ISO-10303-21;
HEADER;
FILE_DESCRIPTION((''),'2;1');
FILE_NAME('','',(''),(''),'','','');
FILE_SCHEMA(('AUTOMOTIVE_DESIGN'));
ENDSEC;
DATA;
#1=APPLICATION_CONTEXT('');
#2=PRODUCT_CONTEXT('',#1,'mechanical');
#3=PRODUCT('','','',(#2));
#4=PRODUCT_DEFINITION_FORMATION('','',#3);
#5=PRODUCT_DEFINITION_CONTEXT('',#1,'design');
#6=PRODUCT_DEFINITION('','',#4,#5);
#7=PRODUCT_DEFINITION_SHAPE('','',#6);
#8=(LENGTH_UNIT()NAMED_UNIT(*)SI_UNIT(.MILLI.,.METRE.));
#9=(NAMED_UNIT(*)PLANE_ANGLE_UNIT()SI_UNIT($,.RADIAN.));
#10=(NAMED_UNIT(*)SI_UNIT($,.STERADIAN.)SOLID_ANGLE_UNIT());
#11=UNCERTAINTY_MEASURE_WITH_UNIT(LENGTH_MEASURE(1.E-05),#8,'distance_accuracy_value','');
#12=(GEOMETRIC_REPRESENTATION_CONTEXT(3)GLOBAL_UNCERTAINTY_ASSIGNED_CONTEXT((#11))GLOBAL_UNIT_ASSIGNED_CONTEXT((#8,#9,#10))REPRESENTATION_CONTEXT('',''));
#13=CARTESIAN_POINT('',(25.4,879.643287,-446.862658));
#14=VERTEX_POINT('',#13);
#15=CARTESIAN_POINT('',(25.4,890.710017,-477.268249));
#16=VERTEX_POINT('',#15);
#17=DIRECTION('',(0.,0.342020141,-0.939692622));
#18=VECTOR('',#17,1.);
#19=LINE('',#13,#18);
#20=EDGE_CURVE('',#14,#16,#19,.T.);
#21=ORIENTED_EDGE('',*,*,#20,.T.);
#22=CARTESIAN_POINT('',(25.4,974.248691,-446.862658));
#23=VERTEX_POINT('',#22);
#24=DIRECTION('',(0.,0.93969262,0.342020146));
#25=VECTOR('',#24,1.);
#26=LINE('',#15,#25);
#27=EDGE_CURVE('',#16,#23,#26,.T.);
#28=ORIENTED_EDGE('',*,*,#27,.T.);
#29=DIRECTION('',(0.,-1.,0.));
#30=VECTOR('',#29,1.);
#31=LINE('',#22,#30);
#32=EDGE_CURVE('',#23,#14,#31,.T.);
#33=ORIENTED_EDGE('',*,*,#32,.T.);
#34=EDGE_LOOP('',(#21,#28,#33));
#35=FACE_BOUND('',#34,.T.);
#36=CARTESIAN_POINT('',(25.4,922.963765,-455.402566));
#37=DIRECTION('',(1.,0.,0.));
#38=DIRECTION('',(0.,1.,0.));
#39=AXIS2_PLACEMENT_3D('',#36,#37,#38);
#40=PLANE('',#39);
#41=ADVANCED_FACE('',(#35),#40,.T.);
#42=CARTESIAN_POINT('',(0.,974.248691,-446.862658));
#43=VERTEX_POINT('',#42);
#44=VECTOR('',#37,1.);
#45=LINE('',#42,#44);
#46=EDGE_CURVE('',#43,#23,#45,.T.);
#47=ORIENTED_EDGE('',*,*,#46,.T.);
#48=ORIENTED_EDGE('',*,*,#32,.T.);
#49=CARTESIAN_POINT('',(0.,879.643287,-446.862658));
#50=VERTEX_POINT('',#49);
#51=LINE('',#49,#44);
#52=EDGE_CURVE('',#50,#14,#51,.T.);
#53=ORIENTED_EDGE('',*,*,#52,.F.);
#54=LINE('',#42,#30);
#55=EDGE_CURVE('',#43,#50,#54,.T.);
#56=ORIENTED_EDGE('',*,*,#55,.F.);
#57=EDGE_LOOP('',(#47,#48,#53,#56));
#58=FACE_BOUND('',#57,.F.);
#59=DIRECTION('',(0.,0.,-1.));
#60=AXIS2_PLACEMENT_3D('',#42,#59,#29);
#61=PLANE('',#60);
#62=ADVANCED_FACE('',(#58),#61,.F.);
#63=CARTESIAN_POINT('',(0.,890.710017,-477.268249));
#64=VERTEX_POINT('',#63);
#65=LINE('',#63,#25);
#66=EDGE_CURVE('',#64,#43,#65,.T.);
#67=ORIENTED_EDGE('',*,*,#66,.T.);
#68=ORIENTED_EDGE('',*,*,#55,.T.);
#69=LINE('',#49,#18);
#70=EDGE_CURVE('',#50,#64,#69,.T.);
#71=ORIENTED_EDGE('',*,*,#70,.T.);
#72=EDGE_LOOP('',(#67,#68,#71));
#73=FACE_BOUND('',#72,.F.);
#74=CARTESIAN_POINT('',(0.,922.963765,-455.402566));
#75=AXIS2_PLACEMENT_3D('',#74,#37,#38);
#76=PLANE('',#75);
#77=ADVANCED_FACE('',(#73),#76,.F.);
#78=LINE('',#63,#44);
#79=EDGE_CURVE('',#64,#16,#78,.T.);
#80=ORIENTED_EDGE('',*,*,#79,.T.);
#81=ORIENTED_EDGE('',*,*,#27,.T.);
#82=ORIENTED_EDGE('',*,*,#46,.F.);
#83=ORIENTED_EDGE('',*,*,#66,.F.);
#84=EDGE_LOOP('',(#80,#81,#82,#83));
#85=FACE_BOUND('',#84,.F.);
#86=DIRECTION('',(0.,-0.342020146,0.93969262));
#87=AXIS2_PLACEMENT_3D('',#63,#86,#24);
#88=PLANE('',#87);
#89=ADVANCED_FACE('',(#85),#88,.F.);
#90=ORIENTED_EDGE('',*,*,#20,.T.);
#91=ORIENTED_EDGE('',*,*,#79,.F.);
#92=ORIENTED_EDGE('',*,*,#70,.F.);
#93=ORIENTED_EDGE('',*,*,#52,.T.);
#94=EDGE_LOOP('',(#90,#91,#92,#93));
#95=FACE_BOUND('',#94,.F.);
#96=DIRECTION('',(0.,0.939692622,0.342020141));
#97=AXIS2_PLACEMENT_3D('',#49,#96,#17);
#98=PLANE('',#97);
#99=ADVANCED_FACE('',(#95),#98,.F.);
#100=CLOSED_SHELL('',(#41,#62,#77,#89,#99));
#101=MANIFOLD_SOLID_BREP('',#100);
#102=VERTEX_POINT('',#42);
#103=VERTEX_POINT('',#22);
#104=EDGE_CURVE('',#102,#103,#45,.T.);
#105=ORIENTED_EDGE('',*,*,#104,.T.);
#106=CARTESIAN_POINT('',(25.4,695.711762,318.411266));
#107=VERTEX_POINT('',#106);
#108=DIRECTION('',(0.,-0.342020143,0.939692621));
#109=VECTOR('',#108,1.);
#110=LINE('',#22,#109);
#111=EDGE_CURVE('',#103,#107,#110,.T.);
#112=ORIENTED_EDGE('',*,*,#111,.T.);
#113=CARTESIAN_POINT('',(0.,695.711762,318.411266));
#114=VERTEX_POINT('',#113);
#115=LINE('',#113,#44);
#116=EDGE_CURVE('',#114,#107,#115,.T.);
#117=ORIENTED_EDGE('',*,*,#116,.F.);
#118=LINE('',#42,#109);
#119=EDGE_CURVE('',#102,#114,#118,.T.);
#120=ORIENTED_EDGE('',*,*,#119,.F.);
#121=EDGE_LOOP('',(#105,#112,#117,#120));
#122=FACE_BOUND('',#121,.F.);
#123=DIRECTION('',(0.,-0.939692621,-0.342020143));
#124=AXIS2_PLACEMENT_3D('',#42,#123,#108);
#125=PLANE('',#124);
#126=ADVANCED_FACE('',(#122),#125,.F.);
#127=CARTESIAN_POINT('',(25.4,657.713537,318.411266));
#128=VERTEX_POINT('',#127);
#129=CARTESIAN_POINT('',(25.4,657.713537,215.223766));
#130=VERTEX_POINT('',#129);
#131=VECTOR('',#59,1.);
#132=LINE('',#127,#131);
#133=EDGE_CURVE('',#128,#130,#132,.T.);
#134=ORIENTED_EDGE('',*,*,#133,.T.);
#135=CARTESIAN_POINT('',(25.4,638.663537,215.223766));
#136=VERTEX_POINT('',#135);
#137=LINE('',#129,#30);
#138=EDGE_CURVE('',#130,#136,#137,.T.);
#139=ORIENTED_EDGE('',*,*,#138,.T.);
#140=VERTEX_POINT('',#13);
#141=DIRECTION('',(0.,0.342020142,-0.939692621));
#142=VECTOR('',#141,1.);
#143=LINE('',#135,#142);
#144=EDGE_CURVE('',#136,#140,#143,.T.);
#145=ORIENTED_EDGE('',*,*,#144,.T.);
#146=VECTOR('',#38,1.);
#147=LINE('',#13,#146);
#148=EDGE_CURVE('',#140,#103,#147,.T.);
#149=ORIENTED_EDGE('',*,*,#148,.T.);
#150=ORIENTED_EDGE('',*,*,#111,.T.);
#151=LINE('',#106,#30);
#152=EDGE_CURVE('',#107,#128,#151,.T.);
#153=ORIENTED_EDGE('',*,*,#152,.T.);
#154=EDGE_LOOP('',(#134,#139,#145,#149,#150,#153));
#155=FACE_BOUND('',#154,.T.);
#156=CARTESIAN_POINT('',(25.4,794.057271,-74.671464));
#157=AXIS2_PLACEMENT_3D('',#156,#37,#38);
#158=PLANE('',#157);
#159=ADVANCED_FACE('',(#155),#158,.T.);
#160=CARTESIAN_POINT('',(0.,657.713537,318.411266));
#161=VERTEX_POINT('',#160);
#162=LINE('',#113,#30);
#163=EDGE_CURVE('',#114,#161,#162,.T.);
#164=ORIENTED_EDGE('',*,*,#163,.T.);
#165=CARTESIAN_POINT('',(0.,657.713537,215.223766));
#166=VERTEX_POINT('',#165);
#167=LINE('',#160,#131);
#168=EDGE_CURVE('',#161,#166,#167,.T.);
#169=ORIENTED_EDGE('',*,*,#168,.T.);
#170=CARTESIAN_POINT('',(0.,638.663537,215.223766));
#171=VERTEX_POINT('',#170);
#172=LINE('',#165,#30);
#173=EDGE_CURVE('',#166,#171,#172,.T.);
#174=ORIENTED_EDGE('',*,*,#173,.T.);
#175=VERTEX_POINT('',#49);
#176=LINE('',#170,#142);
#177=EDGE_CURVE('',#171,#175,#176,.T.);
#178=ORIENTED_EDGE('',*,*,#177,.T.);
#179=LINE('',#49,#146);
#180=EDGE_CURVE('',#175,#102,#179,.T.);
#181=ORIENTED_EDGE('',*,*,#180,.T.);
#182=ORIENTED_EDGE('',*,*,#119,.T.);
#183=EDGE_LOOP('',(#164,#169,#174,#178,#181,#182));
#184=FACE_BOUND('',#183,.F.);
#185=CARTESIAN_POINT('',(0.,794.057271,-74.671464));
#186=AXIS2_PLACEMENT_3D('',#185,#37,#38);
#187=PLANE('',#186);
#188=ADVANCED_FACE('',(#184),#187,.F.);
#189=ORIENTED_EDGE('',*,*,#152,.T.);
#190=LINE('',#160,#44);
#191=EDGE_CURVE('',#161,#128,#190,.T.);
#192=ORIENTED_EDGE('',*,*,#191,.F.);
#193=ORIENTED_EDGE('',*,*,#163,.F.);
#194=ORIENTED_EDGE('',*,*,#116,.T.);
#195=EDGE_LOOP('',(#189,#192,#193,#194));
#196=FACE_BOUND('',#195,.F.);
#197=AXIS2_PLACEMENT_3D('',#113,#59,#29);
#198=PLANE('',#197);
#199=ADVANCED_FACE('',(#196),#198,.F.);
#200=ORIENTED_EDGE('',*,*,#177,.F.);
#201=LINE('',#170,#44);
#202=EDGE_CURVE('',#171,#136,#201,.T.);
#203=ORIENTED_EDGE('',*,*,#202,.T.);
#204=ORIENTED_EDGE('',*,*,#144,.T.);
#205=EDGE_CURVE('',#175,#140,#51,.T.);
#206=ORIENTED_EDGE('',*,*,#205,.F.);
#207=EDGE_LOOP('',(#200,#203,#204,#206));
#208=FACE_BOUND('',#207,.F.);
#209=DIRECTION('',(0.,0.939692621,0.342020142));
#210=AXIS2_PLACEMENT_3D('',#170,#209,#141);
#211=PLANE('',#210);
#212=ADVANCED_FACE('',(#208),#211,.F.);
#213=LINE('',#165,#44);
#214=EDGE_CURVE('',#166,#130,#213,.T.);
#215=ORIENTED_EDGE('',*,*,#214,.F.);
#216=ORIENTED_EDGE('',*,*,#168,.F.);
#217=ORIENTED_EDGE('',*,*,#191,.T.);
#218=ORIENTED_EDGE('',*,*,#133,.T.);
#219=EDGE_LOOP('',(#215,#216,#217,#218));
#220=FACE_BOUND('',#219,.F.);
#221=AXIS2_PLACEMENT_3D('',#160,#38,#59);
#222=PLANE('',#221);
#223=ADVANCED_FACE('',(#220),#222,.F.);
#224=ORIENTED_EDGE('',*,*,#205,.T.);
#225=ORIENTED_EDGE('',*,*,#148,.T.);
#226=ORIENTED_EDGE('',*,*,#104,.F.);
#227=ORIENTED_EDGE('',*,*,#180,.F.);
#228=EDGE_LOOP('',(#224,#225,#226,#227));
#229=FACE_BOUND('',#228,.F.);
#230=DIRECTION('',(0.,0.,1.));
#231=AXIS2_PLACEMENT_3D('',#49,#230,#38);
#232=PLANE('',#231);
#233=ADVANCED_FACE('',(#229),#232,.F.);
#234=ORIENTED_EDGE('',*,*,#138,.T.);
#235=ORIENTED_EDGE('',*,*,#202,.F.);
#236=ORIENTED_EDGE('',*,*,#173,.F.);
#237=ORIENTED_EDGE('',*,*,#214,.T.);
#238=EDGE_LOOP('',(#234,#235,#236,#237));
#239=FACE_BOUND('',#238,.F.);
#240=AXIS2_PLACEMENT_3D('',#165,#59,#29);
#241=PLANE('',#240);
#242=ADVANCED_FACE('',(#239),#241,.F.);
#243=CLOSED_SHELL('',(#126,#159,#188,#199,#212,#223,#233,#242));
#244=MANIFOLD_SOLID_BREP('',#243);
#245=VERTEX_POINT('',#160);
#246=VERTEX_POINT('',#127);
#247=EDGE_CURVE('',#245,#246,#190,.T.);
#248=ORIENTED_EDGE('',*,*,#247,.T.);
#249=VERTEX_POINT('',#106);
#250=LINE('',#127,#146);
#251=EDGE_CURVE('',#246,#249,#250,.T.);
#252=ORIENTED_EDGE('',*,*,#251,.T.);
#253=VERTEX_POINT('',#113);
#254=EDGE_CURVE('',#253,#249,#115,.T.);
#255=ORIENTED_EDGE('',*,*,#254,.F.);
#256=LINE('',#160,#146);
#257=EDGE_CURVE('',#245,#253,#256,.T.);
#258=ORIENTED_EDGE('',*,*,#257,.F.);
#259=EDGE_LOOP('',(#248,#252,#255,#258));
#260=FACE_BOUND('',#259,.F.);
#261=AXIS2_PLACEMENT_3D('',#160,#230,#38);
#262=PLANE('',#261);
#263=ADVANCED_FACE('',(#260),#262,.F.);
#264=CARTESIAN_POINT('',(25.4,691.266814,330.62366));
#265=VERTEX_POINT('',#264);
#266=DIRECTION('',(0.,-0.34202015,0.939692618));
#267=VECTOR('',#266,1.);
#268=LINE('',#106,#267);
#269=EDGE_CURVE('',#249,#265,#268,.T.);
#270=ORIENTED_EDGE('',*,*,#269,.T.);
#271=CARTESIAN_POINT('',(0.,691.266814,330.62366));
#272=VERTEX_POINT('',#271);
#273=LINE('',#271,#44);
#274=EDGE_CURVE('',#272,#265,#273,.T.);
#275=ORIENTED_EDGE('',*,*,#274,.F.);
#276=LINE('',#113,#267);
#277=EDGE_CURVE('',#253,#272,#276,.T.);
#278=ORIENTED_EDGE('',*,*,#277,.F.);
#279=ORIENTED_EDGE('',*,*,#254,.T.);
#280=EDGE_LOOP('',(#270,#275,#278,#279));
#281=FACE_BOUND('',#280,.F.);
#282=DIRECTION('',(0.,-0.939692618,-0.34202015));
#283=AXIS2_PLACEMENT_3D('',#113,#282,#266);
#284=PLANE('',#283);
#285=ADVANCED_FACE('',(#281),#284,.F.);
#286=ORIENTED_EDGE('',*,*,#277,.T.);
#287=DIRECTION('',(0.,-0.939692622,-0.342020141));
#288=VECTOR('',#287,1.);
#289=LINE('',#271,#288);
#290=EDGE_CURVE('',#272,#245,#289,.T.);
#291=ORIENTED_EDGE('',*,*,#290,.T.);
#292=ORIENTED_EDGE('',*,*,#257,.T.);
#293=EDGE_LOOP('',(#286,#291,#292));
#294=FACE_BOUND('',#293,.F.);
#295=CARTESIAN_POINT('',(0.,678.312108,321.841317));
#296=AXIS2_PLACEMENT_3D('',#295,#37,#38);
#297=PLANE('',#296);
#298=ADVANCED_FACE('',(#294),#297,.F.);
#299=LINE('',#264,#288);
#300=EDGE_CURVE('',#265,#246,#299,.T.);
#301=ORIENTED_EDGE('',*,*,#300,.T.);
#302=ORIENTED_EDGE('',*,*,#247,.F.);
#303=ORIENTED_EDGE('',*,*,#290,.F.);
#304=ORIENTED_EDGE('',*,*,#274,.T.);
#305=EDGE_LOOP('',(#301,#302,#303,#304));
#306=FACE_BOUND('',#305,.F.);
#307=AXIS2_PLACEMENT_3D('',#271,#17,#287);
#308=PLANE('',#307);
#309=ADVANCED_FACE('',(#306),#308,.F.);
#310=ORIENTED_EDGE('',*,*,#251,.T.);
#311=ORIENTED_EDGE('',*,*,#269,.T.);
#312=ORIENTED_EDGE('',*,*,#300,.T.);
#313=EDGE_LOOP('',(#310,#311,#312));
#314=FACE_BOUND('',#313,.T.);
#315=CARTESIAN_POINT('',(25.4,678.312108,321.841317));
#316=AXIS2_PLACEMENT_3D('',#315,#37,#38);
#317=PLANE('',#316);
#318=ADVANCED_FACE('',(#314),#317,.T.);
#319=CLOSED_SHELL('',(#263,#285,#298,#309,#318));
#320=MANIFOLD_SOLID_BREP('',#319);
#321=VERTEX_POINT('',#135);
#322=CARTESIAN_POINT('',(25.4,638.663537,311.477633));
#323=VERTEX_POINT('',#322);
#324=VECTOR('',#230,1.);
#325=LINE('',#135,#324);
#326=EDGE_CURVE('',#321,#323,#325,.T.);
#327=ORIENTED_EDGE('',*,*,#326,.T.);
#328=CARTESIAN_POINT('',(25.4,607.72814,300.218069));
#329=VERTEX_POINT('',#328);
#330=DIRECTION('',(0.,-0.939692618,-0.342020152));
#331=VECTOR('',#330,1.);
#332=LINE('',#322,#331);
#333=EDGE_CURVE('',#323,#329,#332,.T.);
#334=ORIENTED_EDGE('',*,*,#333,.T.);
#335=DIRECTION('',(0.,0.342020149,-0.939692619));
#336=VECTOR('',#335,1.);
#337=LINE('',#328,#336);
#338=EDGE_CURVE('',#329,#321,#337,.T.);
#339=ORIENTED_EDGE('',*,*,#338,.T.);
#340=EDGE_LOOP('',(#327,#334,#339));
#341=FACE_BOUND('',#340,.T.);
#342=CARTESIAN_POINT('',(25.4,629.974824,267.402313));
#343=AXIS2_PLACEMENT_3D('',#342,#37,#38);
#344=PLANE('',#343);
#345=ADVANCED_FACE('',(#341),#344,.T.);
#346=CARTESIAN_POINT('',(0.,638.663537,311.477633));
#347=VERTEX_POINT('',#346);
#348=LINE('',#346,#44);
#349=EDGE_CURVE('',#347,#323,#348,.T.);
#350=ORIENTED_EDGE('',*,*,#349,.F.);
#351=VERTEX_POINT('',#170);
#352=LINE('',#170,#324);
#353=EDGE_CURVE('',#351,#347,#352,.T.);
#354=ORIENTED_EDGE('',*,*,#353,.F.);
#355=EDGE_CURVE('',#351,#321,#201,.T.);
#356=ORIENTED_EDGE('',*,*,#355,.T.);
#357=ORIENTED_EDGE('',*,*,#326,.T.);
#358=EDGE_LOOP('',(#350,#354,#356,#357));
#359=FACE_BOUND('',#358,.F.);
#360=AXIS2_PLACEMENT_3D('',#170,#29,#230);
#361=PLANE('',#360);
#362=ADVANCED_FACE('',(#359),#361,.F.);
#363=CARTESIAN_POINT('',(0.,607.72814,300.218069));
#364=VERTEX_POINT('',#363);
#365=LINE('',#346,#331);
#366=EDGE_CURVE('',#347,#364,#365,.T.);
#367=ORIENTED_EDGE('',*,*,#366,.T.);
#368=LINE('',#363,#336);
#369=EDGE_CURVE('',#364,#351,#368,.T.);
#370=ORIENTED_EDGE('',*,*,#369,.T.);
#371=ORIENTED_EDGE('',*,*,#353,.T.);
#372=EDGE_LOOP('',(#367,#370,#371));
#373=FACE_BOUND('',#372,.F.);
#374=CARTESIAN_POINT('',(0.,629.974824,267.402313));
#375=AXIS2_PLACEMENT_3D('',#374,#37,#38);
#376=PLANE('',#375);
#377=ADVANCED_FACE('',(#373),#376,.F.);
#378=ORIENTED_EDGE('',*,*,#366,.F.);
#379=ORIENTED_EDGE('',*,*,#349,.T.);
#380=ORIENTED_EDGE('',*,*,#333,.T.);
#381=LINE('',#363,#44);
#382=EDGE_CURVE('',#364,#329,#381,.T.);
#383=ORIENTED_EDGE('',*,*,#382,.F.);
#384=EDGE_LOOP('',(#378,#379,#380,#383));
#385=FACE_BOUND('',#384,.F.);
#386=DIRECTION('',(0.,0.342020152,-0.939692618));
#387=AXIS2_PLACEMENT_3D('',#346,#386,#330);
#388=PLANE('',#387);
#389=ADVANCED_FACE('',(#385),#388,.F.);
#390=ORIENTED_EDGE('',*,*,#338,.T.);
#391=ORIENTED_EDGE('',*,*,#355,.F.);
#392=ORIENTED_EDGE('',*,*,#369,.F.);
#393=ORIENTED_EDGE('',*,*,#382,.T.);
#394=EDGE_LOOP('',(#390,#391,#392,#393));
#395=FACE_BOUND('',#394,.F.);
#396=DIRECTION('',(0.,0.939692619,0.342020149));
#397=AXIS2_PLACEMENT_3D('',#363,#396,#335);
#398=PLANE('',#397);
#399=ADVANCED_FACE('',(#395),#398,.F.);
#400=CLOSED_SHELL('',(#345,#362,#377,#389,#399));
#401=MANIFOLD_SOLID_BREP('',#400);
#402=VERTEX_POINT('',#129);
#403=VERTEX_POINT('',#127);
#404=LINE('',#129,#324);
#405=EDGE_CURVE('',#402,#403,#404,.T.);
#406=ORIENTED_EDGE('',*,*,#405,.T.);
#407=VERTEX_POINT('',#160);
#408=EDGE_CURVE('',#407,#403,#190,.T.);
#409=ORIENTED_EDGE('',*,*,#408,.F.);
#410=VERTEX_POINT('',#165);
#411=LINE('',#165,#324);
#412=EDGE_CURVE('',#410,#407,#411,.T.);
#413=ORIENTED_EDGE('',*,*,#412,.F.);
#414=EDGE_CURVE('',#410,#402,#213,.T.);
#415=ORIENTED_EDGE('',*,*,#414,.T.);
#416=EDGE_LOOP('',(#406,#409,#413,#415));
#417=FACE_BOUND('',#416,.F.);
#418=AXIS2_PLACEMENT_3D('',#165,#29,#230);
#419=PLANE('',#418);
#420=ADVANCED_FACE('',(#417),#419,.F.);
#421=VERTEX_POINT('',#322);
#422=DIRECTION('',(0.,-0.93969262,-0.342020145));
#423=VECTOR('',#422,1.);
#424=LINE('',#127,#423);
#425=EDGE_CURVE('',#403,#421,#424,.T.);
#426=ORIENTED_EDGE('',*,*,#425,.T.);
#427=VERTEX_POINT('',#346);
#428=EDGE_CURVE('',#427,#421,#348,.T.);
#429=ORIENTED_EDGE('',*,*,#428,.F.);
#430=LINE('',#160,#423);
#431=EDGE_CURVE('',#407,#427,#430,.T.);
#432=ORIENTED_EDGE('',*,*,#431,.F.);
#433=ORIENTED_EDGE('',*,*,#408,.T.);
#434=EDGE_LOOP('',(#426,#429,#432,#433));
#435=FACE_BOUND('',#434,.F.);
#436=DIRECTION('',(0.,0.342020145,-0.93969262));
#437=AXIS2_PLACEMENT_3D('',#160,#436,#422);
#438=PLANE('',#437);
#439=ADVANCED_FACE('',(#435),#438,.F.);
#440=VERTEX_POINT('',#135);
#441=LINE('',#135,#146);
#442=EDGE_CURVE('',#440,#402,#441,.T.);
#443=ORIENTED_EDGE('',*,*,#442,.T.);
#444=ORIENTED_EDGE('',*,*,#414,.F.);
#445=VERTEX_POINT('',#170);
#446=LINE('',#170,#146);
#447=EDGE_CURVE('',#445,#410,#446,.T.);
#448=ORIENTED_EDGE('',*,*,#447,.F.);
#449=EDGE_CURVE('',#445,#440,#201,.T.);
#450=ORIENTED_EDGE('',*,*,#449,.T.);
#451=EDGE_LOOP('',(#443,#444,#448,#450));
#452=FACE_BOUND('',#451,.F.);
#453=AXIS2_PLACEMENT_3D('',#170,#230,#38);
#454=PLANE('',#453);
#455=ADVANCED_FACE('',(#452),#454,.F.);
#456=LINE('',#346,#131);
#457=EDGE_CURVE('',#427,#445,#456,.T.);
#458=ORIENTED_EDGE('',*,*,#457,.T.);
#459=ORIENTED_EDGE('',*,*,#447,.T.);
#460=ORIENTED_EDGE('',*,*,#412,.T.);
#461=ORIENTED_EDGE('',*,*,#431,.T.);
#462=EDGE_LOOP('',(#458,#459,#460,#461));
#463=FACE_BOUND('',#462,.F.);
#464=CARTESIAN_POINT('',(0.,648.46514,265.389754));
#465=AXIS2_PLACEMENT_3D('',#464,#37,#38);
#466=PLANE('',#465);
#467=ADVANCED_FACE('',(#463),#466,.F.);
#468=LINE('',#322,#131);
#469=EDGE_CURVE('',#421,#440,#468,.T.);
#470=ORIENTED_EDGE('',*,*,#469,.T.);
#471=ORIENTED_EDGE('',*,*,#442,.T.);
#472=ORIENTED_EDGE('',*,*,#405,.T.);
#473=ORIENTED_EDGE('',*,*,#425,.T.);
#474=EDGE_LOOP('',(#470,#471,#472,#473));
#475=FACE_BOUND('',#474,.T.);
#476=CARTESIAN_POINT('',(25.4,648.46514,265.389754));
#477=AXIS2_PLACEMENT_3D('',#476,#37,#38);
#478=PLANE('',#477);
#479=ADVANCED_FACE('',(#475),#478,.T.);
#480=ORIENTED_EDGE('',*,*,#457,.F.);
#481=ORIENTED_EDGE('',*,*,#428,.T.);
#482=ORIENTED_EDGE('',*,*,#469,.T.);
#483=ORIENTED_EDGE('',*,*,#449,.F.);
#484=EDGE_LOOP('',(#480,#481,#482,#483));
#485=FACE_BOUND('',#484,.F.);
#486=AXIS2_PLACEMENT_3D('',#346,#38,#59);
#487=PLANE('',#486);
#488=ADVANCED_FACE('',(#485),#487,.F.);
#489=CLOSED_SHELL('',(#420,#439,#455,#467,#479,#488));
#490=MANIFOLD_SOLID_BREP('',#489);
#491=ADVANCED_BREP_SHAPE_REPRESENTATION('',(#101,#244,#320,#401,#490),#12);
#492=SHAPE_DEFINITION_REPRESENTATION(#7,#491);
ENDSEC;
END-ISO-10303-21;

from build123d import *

# Parameters (mm, degrees)
F1_DEPTH = 25.4
F2_DEPTH = 25.4
F3_DEPTH = 25.4
F4_DEPTH = 25.4
F5_DEPTH = 25.4


with BuildPart() as f1:
    # F0 (on Right) → F1 (new body)
    with BuildSketch(Plane.YZ):
        Polygon((691.266814, 330.62366), (657.713537, 318.411266), (695.711762, 318.411266), align=None)
    extrude(amount=F1_DEPTH)


with BuildPart() as f2:
    # F0 (on Right) → F2 (new body)
    with BuildSketch(Plane.YZ):
        Polygon((607.72814, 300.218069), (638.663537, 215.223766), (638.663537, 311.477633), align=None)
    extrude(amount=F2_DEPTH)


with BuildPart() as f3:
    # F0 (on Right) → F3 (new body)
    with BuildSketch(Plane.YZ):
        Polygon((974.248691, -446.862658), (879.643287, -446.862658), (890.710017, -477.268249), align=None)
    extrude(amount=F3_DEPTH)


with BuildPart() as f4:
    # F0 (on Right) → F4 (new body)
    with BuildSketch(Plane.YZ):
        Polygon((638.663537, 311.477633), (638.663537, 215.223766), (657.713537, 215.223766), (657.713537, 318.411266), align=None)
    extrude(amount=F4_DEPTH)


with BuildPart() as f5:
    # F0 (on Right) → F5 (new body)
    with BuildSketch(Plane.YZ):
        Polygon((657.713537, 215.223766), (638.663537, 215.223766), (879.643287, -446.862658), (974.248691, -446.862658), (695.711762, 318.411266), (657.713537, 318.411266), align=None)
    extrude(amount=F5_DEPTH)


solid = Compound([f1.part, f2.part, f3.part, f4.part, f5.part])
